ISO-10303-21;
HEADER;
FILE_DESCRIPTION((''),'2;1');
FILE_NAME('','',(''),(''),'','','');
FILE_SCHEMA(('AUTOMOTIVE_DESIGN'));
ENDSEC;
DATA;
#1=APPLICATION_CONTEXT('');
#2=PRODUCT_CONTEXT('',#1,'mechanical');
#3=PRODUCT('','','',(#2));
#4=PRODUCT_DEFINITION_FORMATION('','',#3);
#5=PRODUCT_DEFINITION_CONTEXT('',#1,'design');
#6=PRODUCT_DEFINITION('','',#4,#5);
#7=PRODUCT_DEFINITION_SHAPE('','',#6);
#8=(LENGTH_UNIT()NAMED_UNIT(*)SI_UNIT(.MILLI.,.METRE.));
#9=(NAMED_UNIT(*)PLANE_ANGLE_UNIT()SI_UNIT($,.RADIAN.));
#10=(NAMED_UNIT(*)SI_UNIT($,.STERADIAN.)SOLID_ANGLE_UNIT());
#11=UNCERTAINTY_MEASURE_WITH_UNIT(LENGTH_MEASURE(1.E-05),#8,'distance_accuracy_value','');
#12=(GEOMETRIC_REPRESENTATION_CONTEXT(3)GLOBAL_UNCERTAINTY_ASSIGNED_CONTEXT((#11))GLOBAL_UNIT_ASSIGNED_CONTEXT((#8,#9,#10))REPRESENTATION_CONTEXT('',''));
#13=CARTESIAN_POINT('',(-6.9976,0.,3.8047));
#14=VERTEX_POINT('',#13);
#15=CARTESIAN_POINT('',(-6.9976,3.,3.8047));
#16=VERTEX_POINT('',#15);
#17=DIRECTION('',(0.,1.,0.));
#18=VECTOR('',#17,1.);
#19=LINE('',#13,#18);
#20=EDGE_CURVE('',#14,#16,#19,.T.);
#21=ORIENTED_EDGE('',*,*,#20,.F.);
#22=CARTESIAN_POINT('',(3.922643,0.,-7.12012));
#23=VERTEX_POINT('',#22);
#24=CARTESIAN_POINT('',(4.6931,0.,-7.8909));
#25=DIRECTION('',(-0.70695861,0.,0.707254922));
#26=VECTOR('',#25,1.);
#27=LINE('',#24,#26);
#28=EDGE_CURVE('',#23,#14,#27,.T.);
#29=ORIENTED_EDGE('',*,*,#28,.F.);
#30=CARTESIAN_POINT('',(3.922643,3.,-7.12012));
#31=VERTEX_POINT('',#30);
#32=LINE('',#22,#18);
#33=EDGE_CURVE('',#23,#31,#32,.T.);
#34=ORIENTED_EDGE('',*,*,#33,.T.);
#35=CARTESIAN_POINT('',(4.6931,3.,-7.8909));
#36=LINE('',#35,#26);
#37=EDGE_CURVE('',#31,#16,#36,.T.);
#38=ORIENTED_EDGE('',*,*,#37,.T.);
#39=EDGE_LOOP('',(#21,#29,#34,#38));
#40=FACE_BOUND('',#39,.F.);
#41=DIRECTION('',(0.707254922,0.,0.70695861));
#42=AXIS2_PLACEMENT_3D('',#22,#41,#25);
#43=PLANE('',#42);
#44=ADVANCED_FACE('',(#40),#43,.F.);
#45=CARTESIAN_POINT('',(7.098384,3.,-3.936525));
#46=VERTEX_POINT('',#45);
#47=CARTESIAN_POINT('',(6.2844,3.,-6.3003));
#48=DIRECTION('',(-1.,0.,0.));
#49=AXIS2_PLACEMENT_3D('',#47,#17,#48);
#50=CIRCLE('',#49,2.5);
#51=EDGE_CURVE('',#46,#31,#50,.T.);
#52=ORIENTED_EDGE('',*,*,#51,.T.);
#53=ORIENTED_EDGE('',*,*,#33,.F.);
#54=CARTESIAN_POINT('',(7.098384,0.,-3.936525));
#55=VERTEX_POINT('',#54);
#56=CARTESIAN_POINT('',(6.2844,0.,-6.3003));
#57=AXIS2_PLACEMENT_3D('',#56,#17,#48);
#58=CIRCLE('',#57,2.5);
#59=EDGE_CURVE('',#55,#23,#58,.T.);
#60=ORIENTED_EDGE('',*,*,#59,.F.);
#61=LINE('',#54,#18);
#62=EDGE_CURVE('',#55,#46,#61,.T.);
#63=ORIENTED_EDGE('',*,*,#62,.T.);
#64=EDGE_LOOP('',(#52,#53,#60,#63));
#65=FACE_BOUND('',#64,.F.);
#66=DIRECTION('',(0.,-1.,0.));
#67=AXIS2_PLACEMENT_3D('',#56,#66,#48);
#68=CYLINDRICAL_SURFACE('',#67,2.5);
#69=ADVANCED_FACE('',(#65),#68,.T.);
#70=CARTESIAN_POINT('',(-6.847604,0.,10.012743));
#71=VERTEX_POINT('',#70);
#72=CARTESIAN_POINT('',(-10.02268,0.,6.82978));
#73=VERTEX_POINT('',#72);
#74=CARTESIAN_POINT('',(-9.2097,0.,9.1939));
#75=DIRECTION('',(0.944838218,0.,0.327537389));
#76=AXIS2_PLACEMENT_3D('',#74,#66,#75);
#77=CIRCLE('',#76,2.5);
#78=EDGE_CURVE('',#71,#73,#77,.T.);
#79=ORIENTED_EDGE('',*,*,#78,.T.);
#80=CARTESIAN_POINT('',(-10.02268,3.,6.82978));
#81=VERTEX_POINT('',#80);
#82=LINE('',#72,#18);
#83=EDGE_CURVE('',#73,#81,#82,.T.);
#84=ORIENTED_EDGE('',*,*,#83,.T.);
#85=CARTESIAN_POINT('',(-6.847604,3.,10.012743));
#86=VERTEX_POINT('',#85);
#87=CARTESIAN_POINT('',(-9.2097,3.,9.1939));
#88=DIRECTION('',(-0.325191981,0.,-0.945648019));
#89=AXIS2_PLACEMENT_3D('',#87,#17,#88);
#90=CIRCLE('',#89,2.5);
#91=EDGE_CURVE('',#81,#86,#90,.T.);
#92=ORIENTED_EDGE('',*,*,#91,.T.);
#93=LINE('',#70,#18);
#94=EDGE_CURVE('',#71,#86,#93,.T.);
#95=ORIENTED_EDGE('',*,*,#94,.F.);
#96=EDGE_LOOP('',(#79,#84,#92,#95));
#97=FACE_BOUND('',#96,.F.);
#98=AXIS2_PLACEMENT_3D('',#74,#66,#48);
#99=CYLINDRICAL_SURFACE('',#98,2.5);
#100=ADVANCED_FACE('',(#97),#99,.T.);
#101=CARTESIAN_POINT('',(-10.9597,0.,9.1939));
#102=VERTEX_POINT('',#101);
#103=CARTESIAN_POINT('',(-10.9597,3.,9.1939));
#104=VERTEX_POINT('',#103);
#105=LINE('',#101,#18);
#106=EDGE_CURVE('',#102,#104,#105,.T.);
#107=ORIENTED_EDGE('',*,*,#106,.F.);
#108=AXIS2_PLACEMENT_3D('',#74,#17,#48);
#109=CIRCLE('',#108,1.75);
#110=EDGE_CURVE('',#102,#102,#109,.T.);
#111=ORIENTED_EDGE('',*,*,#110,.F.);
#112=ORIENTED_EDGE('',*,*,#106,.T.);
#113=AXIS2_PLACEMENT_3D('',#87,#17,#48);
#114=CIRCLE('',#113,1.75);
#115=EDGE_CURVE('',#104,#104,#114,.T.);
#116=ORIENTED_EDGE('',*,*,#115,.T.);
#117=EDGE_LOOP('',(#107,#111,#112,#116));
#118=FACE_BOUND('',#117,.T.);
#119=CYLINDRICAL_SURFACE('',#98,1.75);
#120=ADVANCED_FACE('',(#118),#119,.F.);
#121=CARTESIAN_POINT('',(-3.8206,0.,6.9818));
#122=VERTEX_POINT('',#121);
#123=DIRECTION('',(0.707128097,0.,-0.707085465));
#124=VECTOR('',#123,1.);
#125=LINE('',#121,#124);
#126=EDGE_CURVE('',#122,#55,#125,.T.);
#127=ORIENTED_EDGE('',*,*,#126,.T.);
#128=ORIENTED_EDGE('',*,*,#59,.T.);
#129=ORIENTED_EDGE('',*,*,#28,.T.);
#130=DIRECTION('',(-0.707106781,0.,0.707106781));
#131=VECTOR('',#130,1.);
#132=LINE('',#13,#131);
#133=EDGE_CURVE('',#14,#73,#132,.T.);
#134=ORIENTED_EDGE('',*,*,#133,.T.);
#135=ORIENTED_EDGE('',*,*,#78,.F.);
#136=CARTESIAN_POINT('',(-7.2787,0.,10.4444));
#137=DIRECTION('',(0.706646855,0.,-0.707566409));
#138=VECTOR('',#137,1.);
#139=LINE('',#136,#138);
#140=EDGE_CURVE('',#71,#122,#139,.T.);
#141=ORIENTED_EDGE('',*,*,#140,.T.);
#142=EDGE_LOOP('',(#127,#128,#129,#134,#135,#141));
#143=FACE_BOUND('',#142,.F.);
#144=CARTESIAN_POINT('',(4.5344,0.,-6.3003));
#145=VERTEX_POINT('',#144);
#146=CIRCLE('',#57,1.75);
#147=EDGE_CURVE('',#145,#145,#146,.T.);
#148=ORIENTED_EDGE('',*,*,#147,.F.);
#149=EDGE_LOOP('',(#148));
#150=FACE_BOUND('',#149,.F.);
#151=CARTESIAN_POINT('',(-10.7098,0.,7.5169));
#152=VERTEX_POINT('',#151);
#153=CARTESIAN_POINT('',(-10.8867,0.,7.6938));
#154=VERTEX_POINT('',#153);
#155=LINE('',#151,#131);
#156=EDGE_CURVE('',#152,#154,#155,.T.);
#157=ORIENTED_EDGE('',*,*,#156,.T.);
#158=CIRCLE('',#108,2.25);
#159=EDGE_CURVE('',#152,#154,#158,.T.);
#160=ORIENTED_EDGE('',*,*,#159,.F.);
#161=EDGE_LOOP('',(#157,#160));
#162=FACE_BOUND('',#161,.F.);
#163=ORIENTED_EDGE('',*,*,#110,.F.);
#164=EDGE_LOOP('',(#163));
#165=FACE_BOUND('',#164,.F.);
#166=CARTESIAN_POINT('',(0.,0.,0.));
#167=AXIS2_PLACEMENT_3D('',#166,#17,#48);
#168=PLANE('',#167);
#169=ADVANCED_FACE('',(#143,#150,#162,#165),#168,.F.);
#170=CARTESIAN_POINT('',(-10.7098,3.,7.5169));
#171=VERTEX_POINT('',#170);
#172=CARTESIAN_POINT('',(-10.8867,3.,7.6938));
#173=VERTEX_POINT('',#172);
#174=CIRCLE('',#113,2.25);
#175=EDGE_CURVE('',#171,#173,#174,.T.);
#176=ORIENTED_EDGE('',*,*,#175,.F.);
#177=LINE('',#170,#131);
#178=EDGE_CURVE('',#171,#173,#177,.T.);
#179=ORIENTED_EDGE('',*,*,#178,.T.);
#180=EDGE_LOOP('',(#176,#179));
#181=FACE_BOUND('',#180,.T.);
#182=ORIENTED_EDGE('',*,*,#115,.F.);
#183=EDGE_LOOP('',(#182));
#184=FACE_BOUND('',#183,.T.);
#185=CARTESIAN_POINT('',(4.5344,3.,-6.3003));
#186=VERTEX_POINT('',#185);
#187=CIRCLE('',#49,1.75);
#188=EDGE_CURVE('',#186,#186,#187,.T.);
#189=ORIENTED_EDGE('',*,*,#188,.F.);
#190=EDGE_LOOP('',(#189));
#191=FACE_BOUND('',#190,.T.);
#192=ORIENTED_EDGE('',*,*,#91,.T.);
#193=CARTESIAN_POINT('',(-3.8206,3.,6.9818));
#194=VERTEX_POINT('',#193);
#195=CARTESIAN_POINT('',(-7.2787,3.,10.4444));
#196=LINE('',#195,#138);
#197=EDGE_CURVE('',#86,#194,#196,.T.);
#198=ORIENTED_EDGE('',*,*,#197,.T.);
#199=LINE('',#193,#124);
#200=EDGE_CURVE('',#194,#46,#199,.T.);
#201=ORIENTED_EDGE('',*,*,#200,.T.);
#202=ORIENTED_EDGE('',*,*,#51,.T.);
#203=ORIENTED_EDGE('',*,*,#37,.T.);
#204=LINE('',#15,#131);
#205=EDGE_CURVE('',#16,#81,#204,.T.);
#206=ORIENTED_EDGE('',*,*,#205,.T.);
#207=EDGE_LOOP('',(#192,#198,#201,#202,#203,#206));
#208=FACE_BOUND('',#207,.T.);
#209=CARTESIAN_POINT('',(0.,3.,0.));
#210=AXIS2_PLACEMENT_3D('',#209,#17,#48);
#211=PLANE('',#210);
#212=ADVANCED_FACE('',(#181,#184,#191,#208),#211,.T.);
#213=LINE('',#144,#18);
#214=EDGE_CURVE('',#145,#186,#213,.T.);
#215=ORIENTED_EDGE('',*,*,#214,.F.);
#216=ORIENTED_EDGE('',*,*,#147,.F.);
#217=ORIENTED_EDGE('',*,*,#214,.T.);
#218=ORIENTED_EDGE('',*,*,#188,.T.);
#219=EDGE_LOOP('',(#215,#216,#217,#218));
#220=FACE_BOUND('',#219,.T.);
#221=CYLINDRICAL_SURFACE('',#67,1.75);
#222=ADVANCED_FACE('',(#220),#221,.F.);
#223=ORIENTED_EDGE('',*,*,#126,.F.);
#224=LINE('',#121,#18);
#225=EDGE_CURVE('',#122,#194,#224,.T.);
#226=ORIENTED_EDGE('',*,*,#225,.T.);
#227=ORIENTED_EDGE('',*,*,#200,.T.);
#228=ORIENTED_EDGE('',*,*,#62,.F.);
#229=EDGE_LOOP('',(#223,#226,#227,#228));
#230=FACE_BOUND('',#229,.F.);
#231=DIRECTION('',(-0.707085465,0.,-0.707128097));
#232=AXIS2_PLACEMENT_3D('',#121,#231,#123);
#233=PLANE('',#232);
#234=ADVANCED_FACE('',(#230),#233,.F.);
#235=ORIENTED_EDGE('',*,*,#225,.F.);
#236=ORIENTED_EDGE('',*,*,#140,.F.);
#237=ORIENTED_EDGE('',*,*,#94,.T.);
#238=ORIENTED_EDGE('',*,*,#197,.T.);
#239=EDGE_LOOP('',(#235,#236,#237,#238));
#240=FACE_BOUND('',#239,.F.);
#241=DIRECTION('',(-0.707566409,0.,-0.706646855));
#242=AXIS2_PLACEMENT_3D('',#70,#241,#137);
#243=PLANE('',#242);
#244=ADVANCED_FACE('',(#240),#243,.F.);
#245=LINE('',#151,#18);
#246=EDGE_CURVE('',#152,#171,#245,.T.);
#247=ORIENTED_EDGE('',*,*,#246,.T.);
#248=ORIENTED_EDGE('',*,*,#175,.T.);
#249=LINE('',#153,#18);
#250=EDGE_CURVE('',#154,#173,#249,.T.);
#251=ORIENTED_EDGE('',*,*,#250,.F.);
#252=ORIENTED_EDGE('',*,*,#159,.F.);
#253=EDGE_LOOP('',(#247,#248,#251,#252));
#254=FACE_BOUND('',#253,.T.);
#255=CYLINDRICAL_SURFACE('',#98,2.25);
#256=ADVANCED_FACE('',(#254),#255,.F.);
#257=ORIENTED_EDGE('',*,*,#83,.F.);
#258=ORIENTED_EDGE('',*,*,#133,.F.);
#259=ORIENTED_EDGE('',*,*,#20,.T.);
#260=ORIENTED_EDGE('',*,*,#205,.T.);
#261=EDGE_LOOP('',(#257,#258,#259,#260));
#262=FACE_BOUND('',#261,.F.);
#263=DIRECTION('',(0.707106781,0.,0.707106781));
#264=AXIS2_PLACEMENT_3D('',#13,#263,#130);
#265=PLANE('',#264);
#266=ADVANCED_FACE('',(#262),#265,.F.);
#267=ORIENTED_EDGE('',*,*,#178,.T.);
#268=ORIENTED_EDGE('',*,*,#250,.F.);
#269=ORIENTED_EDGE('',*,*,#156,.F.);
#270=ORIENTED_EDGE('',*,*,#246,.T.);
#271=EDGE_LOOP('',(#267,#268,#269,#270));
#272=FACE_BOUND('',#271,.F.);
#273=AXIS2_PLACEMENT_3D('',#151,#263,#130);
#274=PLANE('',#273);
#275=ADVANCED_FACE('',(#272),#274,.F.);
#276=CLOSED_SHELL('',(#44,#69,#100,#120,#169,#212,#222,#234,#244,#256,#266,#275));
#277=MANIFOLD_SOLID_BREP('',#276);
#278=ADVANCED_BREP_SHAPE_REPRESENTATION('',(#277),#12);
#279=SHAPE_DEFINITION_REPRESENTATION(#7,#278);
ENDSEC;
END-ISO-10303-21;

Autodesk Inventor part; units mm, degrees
ref_plane "YZ Plane" through (0, 0, 0) normal (1, 0, 0) x (0, 1, 0)
ref_plane "XZ Plane" through (0, 0, 0) normal (0, 1, 0) x (-1, 0, 0)
ref_plane "XY Plane" through (0, 0, 0) normal (0, 0, 1) x (1, 0, 0)
sketch "Sketch1" plane through (0, 0, 0) normal (0, 1, 0) x (-1, 0, 0)
  arc A0 (-7.7903, -4.6284) -> (-4.6931, -7.8909) centre (-6.2844, -6.3003) ccw
  arc A1 (-7.7903, -4.6284) -> (-4.6931, -7.8909) centre (-6.2844, -6.3003) ccw
  circle A2 centre (9.2097, 9.1939) radius 1.75
  circle A3 centre (-6.2844, -6.3003) radius 1.75
  arc A4 (-7.7903, -4.6284) -> (-4.6931, -7.8909) centre (-6.2844, -6.3003) ccw
  line L0 (3.8206, 6.9818) -> (-7.7903, -4.6284)
  line L1 (7.2787, 10.4444) -> (3.8206, 6.9818)
  arc A5 (7.3269, 10.4258) -> (7.2787, 10.4444) centre (5.3206, 5.3048) ccw
  arc A6 (10.8867, 7.6938) -> (7.3269, 10.4258) centre (9.2097, 9.1939) ccw
  line L2 (10.7098, 7.5169) -> (10.8867, 7.6938)
  arc A7 (10.4416, 7.3111) -> (10.7098, 7.5169) centre (9.2097, 9.1939) ccw
  arc A8 (10.459, 7.2661) -> (10.4416, 7.3111) centre (5.3206, 5.3048) ccw
  line L3 (6.9976, 3.8047) -> (10.459, 7.2661)
  line L4 (-4.6931, -7.8909) -> (6.9976, 3.8047)
  circle A9 centre (9.2097, 9.1939) radius 1.75
  circle A10 centre (-6.2844, -6.3003) radius 1.75
  arc A11 (-7.7903, -4.6284) -> (-4.6931, -7.8909) centre (-6.2844, -6.3003) ccw
  line L5 (-4.6931, -7.8909) -> (6.9976, 3.8047)
  line L6 (6.9976, 3.8047) -> (10.459, 7.2661)
  arc A12 (10.459, 7.2661) -> (10.4416, 7.3111) centre (5.3206, 5.3048) ccw
  arc A13 (10.4416, 7.3111) -> (10.7098, 7.5169) centre (9.2097, 9.1939) ccw
  line L7 (10.7098, 7.5169) -> (10.8867, 7.6938)
  arc A14 (10.8867, 7.6938) -> (7.3269, 10.4258) centre (9.2097, 9.1939) ccw
  arc A15 (7.3269, 10.4258) -> (7.2787, 10.4444) centre (5.3206, 5.3048) ccw
  line L8 (7.2787, 10.4444) -> (3.8206, 6.9818)
  line L9 (3.8206, 6.9818) -> (-7.7903, -4.6284)
  line L10 (3.8206, 6.9818) -> (-7.7903, -4.6284)
  line L11 (3.8206, 6.9818) -> (-7.7903, -4.6284)
  line L12 (3.8206, 6.9818) -> (-7.7903, -4.6284)
  line L13 (3.8206, 6.9818) -> (-7.7903, -4.6284)
  line L14 (-4.6931, -7.8909) -> (6.9976, 3.8047)
  line L15 (-4.6931, -7.8909) -> (6.9976, 3.8047)
  line L16 (-4.6931, -7.8909) -> (6.9976, 3.8047)
  line L17 (-4.6931, -7.8909) -> (6.9976, 3.8047)
  circle A16 centre (-6.2844, -6.3003) radius 1.75
  circle A17 centre (-6.2844, -6.3003) radius 1.75
  circle A18 centre (-6.2844, -6.3003) radius 1.75
  circle A19 centre (-6.2844, -6.3003) radius 1.75
  arc A20 (-7.7903, -4.6284) -> (-4.6931, -7.8909) centre (-6.2844, -6.3003) ccw
  arc A21 (-7.7903, -4.6284) -> (-4.6931, -7.8909) centre (-6.2844, -6.3003) ccw
  line L18 (7.2787, 10.4444) -> (3.8206, 6.9818)
  line L19 (7.2787, 10.4444) -> (3.8206, 6.9818)
  line L20 (7.2787, 10.4444) -> (3.8206, 6.9818)
  line L21 (7.2787, 10.4444) -> (3.8206, 6.9818)
  line L22 (6.9976, 3.8047) -> (10.459, 7.2661)
  line L23 (6.9976, 3.8047) -> (10.459, 7.2661)
  line L24 (6.9976, 3.8047) -> (10.459, 7.2661)
  line L25 (6.9976, 3.8047) -> (10.459, 7.2661)
  arc A22 (7.3269, 10.4258) -> (7.2787, 10.4444) centre (5.3206, 5.3048) ccw
  arc A23 (7.3269, 10.4258) -> (7.2787, 10.4444) centre (5.3206, 5.3048) ccw
  arc A24 (10.459, 7.2661) -> (10.4416, 7.3111) centre (5.3206, 5.3048) ccw
  arc A25 (10.459, 7.2661) -> (10.4416, 7.3111) centre (5.3206, 5.3048) ccw
  arc A26 (10.459, 7.2661) -> (10.4416, 7.3111) centre (5.3206, 5.3048) ccw
  arc A27 (10.459, 7.2661) -> (10.4416, 7.3111) centre (5.3206, 5.3048) ccw
  arc A28 (10.4416, 7.3111) -> (10.7098, 7.5169) centre (9.2097, 9.1939) ccw
  arc A29 (10.4416, 7.3111) -> (10.7098, 7.5169) centre (9.2097, 9.1939) ccw
  arc A30 (10.4416, 7.3111) -> (10.7098, 7.5169) centre (9.2097, 9.1939) ccw
  arc A31 (10.4416, 7.3111) -> (10.7098, 7.5169) centre (9.2097, 9.1939) ccw
  circle A32 centre (9.2097, 9.1939) radius 1.75
  circle A33 centre (9.2097, 9.1939) radius 1.75
  circle A34 centre (9.2097, 9.1939) radius 1.75
  line L26 (10.7098, 7.5169) -> (10.8867, 7.6938)
  line L27 (10.7098, 7.5169) -> (10.8867, 7.6938)
  arc A35 (7.3269, 10.4258) -> (7.2787, 10.4444) centre (5.3206, 5.3048) ccw
  line L28 (10.7098, 7.5169) -> (10.8867, 7.6938)
  arc A36 (10.8867, 7.6938) -> (7.3269, 10.4258) centre (9.2097, 9.1939) ccw
  arc A37 (10.8867, 7.6938) -> (7.3269, 10.4258) centre (9.2097, 9.1939) ccw
  arc A38 (10.8867, 7.6938) -> (7.3269, 10.4258) centre (9.2097, 9.1939) ccw
  arc A39 (10.8867, 7.6938) -> (7.3269, 10.4258) centre (9.2097, 9.1939) ccw
  line L29 (10.7098, 7.5169) -> (10.8867, 7.6938)
  circle A40 centre (9.2097, 9.1939) radius 1.75
  arc A41 (7.3269, 10.4258) -> (7.2787, 10.4444) centre (5.3206, 5.3048) ccw
  circle A42 centre (-6.2844, -6.3003) radius 1.75
  circle A43 centre (9.2097, 9.1939) radius 1.75
  circle A44 centre (-6.2844, -6.3003) radius 2.5
  circle A45 centre (9.2097, 9.1939) radius 2.5
  circle A46 centre (-6.2844, -6.3003) radius 2.5
  circle A47 centre (9.2097, 9.1939) radius 2.25
  point P0 (0, 0)
  point P1 (-12.3012, -12.317)
  point P2 (10.0226, 6.8297)
  point P3 (6.8476, 10.0128)
  point P4 (-7.0982, -3.9364)
  point P5 (-3.9227, -7.1202)
  dimension "d0" = 5
  dimension "d1" = 5
extrude "Extrusion1" add sketch "Sketch1" along normal blind 3 contours L0 A44 L4 A0 | A0 L4 A44 L0 | L0 L1 A45 L3 L4 A44 | A45 L3 A8 A7 A47 A6 A5 L1 | L1 A5 A47 A8 L3 A45 | A6 L2 A7 A47
properties part number "LINKV2"
